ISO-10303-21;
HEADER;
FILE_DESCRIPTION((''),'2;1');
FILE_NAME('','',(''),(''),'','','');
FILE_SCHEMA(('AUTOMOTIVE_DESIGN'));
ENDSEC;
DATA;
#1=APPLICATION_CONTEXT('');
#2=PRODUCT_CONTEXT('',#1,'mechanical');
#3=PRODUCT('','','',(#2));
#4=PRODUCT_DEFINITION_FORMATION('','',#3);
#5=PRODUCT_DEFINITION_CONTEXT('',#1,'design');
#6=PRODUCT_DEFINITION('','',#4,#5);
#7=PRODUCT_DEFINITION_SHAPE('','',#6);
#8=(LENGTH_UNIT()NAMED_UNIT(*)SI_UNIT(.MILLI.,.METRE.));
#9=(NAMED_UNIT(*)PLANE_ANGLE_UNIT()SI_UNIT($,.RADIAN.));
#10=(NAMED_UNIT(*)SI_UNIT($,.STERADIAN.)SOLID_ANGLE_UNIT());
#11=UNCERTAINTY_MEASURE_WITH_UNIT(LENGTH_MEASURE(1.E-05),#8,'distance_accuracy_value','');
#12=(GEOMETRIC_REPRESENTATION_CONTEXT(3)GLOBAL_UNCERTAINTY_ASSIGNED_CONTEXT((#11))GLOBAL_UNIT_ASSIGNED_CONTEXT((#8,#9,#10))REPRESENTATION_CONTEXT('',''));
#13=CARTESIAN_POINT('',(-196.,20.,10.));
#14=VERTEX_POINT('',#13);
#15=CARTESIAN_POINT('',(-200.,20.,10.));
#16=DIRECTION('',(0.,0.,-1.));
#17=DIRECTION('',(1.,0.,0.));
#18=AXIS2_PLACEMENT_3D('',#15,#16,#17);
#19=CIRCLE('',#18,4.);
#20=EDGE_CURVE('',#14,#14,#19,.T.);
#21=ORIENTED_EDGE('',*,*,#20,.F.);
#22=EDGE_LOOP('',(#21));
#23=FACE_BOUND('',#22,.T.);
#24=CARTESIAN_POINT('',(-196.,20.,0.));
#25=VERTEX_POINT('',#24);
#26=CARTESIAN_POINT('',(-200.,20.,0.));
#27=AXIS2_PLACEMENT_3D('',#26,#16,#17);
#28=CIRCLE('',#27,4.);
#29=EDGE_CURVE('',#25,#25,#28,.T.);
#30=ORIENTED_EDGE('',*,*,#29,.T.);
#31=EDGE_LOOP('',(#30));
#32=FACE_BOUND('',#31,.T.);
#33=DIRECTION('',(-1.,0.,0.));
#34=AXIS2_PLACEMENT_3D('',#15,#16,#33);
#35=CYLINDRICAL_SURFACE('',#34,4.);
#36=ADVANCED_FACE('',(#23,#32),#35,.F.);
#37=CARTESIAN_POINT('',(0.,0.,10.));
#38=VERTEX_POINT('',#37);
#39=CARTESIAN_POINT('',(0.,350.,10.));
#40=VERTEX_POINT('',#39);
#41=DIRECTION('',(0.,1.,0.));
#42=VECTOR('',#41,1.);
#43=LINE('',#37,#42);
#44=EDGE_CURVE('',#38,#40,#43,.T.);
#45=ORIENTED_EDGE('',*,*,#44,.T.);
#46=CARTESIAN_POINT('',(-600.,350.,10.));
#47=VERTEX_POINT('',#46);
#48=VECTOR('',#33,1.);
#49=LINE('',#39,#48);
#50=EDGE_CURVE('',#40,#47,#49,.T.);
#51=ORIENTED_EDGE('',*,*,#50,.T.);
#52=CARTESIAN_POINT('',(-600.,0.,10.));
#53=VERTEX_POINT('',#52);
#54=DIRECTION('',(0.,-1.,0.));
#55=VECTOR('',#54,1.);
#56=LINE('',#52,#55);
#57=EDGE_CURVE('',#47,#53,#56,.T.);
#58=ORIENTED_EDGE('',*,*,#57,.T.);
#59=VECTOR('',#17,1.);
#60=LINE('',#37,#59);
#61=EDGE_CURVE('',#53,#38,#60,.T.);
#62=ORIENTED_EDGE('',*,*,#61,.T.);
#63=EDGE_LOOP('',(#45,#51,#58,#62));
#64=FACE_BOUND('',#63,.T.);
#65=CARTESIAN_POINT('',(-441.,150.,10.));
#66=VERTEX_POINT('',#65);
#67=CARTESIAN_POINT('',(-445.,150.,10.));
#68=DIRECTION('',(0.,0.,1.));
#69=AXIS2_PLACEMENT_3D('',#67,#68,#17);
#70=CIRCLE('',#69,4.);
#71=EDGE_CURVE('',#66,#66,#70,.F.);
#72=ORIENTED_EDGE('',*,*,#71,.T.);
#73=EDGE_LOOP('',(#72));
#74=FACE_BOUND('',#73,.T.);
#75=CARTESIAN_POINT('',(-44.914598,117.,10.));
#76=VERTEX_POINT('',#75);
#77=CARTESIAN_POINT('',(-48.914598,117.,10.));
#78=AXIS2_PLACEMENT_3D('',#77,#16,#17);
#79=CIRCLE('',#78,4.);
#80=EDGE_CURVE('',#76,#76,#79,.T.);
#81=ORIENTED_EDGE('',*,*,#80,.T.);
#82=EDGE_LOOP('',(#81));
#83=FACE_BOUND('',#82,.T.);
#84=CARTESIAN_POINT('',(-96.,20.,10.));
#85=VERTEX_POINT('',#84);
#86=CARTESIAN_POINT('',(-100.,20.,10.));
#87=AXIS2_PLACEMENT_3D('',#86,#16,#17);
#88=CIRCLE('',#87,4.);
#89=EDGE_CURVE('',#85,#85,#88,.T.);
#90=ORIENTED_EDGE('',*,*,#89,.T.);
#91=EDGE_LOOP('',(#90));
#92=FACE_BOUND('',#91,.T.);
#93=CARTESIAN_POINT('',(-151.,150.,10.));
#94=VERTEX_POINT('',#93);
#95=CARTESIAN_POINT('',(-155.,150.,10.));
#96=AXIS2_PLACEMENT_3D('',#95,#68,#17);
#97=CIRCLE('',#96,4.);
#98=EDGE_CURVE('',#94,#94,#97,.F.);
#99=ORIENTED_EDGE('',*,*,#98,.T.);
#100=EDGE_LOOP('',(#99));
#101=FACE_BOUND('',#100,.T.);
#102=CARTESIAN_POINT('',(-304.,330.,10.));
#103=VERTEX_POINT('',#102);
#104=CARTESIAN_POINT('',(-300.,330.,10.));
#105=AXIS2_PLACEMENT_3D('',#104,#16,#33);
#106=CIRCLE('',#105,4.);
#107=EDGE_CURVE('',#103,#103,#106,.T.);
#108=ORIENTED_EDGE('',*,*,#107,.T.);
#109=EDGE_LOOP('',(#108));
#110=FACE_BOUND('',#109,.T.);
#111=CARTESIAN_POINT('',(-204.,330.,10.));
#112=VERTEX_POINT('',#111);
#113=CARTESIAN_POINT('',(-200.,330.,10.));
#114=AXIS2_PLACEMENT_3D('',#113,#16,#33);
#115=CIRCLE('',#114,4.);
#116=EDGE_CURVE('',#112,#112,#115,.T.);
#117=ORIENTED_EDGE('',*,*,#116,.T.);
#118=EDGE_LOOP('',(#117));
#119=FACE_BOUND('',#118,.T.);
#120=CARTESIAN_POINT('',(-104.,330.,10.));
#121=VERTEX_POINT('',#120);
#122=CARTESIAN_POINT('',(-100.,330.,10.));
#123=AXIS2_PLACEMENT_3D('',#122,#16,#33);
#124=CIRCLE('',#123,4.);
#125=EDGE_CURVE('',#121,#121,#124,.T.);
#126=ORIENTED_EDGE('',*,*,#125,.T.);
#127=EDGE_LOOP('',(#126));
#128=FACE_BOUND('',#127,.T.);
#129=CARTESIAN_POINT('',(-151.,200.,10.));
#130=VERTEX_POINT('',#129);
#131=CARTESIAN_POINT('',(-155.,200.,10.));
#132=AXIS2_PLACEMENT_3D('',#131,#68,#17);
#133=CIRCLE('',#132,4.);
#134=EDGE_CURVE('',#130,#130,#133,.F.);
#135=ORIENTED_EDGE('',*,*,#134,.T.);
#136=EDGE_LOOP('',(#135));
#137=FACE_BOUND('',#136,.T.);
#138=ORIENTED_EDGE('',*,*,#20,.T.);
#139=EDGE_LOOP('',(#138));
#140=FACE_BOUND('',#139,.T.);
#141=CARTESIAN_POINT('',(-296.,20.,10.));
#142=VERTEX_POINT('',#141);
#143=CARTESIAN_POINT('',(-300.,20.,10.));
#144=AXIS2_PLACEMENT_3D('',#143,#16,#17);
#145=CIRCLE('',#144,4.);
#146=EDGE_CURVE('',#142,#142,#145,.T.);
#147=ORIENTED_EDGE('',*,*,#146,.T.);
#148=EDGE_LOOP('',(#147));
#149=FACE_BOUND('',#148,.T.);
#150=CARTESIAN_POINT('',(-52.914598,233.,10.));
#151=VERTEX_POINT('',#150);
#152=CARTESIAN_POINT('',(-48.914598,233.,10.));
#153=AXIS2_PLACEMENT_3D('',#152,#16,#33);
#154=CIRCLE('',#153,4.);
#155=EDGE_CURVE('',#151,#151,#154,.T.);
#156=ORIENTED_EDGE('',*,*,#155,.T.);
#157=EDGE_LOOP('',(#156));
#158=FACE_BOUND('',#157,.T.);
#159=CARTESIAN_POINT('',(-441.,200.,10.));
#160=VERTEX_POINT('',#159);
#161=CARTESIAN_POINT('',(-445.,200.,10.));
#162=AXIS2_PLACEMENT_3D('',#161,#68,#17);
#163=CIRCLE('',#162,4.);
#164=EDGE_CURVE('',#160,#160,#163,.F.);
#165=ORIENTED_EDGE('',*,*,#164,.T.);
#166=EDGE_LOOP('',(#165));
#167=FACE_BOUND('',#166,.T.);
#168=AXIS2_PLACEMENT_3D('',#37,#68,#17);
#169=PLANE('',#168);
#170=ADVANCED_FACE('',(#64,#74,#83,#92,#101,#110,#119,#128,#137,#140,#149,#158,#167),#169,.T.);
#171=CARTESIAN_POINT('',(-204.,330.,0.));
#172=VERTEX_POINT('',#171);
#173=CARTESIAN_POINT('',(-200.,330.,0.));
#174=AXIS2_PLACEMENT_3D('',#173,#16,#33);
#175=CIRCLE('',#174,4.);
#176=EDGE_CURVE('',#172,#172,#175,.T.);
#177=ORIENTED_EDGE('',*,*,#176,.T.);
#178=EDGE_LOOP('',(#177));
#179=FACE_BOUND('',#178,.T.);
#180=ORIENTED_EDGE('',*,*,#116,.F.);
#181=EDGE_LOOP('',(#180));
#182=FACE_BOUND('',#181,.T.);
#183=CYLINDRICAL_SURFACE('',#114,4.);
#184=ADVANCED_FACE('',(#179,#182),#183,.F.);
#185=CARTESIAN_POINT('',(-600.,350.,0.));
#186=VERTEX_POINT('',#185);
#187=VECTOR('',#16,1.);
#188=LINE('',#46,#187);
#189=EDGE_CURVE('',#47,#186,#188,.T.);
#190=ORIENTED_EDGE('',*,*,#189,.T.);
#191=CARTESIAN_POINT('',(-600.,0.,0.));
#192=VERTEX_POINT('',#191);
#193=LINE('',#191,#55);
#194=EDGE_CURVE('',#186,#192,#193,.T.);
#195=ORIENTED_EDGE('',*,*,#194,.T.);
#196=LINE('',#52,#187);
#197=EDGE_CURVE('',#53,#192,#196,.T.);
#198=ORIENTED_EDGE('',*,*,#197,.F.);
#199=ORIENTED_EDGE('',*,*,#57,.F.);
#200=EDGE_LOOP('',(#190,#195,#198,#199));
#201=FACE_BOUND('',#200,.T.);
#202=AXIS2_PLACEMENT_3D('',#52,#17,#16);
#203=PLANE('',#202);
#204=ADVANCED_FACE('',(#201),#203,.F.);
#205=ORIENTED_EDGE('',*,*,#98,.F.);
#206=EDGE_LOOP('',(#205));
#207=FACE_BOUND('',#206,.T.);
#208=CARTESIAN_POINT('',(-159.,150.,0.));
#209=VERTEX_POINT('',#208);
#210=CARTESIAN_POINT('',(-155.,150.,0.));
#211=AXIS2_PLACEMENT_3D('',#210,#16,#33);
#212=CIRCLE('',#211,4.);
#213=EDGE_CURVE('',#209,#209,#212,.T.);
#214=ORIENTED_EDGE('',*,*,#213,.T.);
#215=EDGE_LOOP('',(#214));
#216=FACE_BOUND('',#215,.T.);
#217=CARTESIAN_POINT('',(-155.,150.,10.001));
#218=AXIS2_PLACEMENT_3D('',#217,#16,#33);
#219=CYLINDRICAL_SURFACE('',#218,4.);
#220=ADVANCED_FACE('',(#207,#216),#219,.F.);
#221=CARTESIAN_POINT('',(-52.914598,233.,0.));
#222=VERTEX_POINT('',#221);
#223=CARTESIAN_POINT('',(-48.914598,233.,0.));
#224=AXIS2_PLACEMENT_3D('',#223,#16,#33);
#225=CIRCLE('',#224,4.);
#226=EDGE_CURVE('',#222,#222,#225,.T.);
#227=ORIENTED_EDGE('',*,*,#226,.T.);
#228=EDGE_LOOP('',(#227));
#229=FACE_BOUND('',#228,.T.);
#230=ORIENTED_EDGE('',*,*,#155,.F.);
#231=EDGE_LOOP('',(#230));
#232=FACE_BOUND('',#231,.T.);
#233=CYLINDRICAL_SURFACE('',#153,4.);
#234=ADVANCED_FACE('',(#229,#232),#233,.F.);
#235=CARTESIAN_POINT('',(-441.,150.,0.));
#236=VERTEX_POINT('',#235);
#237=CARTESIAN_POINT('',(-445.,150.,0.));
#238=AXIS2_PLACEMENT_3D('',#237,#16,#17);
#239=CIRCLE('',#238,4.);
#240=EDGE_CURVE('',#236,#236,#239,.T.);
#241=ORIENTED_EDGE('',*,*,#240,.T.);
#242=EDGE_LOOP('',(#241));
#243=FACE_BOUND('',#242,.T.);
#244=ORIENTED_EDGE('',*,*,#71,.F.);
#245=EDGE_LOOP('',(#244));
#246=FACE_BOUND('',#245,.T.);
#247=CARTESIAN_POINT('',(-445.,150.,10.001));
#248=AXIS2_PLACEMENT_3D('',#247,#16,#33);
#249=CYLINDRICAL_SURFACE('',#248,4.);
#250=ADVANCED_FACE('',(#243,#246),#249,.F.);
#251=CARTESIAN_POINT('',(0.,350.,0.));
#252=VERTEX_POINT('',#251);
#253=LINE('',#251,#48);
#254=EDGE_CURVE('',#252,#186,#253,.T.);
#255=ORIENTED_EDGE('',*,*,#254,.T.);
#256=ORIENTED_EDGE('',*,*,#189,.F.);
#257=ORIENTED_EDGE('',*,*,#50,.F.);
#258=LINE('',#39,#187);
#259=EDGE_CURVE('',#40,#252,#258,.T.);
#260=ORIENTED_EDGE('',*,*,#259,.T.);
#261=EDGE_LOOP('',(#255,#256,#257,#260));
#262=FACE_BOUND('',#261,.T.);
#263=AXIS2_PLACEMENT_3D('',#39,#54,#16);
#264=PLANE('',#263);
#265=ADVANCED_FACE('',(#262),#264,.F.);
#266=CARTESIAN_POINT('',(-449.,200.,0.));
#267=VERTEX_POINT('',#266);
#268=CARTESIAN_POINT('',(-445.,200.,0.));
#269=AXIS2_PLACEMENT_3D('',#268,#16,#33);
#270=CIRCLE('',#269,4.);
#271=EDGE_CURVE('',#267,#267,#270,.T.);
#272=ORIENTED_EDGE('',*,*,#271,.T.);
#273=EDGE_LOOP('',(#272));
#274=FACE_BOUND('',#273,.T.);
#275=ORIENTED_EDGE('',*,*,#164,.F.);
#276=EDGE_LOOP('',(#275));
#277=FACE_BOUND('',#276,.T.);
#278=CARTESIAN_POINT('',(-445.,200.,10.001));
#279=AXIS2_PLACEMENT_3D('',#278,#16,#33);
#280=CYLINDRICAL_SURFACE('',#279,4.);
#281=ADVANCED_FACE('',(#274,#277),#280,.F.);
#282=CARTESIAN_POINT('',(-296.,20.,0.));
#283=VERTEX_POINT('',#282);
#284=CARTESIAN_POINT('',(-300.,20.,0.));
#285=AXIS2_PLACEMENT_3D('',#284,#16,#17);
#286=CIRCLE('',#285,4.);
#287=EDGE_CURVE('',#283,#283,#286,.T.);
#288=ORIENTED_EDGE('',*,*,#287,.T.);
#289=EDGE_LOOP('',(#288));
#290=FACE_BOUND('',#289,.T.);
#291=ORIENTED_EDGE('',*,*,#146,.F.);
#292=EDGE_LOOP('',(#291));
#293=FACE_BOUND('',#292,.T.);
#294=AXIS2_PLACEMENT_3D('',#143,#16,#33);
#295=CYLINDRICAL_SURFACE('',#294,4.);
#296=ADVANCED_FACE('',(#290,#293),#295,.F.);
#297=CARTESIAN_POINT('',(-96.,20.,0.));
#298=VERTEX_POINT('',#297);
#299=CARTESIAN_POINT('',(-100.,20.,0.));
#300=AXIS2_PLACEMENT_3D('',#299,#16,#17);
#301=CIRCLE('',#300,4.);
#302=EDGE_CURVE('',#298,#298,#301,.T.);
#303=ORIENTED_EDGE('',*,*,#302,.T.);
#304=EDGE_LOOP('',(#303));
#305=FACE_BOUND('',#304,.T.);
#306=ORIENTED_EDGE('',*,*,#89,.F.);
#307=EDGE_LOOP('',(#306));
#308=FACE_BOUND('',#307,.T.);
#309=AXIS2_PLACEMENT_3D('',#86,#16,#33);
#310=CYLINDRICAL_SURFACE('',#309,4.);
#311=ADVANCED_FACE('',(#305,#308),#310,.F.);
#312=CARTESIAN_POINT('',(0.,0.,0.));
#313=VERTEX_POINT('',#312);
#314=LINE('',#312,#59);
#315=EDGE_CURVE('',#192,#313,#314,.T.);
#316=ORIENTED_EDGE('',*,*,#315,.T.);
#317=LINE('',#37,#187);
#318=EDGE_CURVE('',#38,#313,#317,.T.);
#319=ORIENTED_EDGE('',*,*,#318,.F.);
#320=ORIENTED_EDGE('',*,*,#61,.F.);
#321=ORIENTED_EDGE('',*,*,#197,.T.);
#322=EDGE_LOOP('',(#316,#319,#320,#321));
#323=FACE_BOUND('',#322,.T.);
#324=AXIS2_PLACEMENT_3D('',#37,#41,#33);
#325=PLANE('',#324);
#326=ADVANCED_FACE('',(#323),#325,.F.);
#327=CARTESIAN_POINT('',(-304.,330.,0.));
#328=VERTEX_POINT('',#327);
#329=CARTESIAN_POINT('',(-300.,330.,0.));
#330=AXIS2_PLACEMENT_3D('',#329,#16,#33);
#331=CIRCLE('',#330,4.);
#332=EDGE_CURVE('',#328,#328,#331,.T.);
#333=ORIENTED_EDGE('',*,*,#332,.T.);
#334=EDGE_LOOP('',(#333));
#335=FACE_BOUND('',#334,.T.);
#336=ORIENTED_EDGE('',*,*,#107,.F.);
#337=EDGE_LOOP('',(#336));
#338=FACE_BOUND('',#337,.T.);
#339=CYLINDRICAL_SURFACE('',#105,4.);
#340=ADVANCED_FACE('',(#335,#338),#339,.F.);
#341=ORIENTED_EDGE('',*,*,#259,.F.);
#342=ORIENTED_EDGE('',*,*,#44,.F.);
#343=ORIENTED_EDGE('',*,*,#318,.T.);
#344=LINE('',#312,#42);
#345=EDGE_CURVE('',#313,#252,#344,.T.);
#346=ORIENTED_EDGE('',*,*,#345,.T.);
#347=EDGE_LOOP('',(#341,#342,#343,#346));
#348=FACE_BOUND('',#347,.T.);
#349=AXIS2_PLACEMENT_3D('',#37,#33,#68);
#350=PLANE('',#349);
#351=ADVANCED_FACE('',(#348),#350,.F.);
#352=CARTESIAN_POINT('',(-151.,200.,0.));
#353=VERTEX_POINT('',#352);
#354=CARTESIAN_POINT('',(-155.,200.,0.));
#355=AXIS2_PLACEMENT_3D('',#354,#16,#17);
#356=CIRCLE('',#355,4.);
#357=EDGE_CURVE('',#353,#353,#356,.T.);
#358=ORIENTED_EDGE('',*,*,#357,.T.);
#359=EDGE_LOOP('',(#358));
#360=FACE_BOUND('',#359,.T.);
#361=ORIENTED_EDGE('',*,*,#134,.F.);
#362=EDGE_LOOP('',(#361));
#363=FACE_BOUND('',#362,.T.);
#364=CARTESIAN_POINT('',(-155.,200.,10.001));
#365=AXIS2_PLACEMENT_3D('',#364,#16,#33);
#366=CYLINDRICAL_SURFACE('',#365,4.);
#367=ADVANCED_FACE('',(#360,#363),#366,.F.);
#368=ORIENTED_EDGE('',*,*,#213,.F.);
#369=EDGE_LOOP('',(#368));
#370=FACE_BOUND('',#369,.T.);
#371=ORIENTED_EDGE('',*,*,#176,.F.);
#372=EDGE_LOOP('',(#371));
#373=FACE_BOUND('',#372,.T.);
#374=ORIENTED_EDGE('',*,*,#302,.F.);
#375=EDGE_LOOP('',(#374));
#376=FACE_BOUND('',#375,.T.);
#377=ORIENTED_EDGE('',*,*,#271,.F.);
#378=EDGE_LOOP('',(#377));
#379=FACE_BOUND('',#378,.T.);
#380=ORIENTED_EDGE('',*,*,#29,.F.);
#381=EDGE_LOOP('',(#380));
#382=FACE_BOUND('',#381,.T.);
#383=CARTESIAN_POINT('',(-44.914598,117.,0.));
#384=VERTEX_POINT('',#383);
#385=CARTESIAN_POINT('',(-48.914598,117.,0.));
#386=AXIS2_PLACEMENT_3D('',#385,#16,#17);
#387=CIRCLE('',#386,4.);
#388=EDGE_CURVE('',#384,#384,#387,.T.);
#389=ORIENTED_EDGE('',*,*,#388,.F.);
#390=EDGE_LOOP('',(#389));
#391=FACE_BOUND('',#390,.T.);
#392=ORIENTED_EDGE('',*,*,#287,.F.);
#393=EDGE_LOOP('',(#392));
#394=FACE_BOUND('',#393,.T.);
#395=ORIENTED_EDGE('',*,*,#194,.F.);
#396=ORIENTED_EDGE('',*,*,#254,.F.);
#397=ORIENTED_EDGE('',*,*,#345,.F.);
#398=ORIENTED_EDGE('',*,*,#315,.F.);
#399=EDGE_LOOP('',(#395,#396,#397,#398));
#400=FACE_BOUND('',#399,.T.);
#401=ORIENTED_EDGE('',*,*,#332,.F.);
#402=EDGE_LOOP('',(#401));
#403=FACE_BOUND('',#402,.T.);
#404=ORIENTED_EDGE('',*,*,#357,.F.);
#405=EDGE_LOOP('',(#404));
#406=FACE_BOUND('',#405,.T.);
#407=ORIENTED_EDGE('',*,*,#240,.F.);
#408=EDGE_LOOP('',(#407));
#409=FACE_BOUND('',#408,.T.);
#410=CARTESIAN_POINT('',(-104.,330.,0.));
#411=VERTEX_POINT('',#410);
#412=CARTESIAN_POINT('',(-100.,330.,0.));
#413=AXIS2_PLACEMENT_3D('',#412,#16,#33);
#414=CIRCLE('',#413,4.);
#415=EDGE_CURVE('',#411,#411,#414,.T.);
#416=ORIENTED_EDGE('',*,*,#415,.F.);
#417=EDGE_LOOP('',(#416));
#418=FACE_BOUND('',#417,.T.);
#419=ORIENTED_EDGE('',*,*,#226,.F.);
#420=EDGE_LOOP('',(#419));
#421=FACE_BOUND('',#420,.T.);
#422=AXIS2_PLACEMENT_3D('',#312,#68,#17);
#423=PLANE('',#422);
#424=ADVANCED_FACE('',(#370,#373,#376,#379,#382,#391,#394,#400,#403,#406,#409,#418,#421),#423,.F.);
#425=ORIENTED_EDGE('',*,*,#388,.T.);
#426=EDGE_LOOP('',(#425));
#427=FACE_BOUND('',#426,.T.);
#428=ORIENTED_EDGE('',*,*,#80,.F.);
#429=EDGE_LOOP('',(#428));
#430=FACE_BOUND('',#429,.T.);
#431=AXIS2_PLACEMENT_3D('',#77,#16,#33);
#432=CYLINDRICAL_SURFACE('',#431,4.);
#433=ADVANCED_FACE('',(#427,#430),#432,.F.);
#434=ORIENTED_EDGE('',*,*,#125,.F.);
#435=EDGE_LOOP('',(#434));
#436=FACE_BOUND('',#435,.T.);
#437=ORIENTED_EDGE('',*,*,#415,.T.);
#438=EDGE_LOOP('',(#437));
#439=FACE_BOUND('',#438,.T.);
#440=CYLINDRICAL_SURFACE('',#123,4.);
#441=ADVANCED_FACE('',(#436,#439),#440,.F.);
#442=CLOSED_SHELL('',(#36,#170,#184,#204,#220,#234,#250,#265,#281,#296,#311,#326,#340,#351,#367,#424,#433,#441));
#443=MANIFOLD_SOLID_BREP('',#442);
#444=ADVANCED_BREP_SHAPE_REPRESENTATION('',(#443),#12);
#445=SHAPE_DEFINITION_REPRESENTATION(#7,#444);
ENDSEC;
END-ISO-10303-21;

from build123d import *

# Parameters (mm, degrees)
SKETCH1_W           = 600
SKETCH1_H           = 350
BOSS_EXTRUDE1_DEPTH = 10
SKETCH2_R           = 4
CUT_EXTRUDE1_DEPTH  = 10
SKETCH9_R           = 4
CUT_EXTRUDE4_DEPTH  = 695.694177318
CUT_EXTRUDE5_REACH  = 696.694
SKETCH4_R           = 4


with BuildPart() as part:
    # Sketch1 → Boss-Extrude1 (new body)
    with BuildSketch(Plane.XY):
        with Locations((-300, 175)):
            Rectangle(SKETCH1_W, SKETCH1_H)
    extrude(amount=BOSS_EXTRUDE1_DEPTH)

    # Sketch2 → Cut-Extrude1 (cut)
    with BuildSketch(Plane(origin=(0, 0, 0), x_dir=(-1, 0, 0), z_dir=(0, 0, -1))):
        with Locations((100, 330)):
            Circle(SKETCH2_R)
        with Locations((200, 330)):
            Circle(SKETCH2_R)
        with Locations((300, 330)):
            Circle(SKETCH2_R)
        with Locations(Location((300, 20, 0), (0, 0, 180))):
            Circle(SKETCH2_R)
        with Locations(Location((200, 20, 0), (0, 0, 180))):
            Circle(SKETCH2_R)
        with Locations(Location((100, 20, 0), (0, 0, 180))):
            Circle(SKETCH2_R)
    extrude(amount=-CUT_EXTRUDE1_DEPTH, mode=Mode.SUBTRACT)

    # Sketch9 → Cut-Extrude4 (cut, through all)
    with BuildSketch(Plane(origin=(0, 0, 0), x_dir=(-1, 0, 0), z_dir=(0, 0, -1))):
        with Locations((48.91459754, 233)):
            Circle(SKETCH9_R)
        with Locations(Location((48.91459754, 117, 0), (0, 0, 180))):
            Circle(SKETCH9_R)
    extrude(amount=-CUT_EXTRUDE4_DEPTH, mode=Mode.SUBTRACT)

    # Sketch4 → Cut-Extrude5 (cut, up to next)
    with BuildSketch(Plane(origin=(0, 0, 0), x_dir=(-1, 0, 0), z_dir=(0, 0, -1)), mode=Mode.PRIVATE) as cut_extrude5_sk1:
        with Locations((155, 150)):
            Circle(SKETCH4_R)
    cut_extrude5_tool1 = extrude(cut_extrude5_sk1.sketch, amount=-CUT_EXTRUDE5_REACH, mode=Mode.PRIVATE) & part.part
    # Sketch4 → Cut-Extrude5 (cut, up to next)
    with BuildSketch(Plane(origin=(0, 0, 0), x_dir=(-1, 0, 0), z_dir=(0, 0, -1)), mode=Mode.PRIVATE) as cut_extrude5_sk2:
        with Locations(Location((155, 200, 0), (0, 0, 180))):
            Circle(SKETCH4_R)
    cut_extrude5_tool2 = extrude(cut_extrude5_sk2.sketch, amount=-CUT_EXTRUDE5_REACH, mode=Mode.PRIVATE) & part.part
    # Sketch4 → Cut-Extrude5 (cut, up to next)
    with BuildSketch(Plane(origin=(0, 0, 0), x_dir=(-1, 0, 0), z_dir=(0, 0, -1)), mode=Mode.PRIVATE) as cut_extrude5_sk3:
        with Locations(Location((445, 150, 0), (0, 0, 180))):
            Circle(SKETCH4_R)
    cut_extrude5_tool3 = extrude(cut_extrude5_sk3.sketch, amount=-CUT_EXTRUDE5_REACH, mode=Mode.PRIVATE) & part.part
    # Sketch4 → Cut-Extrude5 (cut, up to next)
    with BuildSketch(Plane(origin=(0, 0, 0), x_dir=(-1, 0, 0), z_dir=(0, 0, -1)), mode=Mode.PRIVATE) as cut_extrude5_sk4:
        with Locations((445, 200)):
            Circle(SKETCH4_R)
    cut_extrude5_tool4 = extrude(cut_extrude5_sk4.sketch, amount=-CUT_EXTRUDE5_REACH, mode=Mode.PRIVATE) & part.part
    add(cut_extrude5_tool1.solids().sort_by_distance((-155, 150, 0))[0], mode=Mode.SUBTRACT)
    add(cut_extrude5_tool2.solids().sort_by_distance((-155, 200, 0))[0], mode=Mode.SUBTRACT)
    add(cut_extrude5_tool3.solids().sort_by_distance((-445, 150, 0))[0], mode=Mode.SUBTRACT)
    add(cut_extrude5_tool4.solids().sort_by_distance((-445, 200, 0))[0], mode=Mode.SUBTRACT)


solid = part.part
